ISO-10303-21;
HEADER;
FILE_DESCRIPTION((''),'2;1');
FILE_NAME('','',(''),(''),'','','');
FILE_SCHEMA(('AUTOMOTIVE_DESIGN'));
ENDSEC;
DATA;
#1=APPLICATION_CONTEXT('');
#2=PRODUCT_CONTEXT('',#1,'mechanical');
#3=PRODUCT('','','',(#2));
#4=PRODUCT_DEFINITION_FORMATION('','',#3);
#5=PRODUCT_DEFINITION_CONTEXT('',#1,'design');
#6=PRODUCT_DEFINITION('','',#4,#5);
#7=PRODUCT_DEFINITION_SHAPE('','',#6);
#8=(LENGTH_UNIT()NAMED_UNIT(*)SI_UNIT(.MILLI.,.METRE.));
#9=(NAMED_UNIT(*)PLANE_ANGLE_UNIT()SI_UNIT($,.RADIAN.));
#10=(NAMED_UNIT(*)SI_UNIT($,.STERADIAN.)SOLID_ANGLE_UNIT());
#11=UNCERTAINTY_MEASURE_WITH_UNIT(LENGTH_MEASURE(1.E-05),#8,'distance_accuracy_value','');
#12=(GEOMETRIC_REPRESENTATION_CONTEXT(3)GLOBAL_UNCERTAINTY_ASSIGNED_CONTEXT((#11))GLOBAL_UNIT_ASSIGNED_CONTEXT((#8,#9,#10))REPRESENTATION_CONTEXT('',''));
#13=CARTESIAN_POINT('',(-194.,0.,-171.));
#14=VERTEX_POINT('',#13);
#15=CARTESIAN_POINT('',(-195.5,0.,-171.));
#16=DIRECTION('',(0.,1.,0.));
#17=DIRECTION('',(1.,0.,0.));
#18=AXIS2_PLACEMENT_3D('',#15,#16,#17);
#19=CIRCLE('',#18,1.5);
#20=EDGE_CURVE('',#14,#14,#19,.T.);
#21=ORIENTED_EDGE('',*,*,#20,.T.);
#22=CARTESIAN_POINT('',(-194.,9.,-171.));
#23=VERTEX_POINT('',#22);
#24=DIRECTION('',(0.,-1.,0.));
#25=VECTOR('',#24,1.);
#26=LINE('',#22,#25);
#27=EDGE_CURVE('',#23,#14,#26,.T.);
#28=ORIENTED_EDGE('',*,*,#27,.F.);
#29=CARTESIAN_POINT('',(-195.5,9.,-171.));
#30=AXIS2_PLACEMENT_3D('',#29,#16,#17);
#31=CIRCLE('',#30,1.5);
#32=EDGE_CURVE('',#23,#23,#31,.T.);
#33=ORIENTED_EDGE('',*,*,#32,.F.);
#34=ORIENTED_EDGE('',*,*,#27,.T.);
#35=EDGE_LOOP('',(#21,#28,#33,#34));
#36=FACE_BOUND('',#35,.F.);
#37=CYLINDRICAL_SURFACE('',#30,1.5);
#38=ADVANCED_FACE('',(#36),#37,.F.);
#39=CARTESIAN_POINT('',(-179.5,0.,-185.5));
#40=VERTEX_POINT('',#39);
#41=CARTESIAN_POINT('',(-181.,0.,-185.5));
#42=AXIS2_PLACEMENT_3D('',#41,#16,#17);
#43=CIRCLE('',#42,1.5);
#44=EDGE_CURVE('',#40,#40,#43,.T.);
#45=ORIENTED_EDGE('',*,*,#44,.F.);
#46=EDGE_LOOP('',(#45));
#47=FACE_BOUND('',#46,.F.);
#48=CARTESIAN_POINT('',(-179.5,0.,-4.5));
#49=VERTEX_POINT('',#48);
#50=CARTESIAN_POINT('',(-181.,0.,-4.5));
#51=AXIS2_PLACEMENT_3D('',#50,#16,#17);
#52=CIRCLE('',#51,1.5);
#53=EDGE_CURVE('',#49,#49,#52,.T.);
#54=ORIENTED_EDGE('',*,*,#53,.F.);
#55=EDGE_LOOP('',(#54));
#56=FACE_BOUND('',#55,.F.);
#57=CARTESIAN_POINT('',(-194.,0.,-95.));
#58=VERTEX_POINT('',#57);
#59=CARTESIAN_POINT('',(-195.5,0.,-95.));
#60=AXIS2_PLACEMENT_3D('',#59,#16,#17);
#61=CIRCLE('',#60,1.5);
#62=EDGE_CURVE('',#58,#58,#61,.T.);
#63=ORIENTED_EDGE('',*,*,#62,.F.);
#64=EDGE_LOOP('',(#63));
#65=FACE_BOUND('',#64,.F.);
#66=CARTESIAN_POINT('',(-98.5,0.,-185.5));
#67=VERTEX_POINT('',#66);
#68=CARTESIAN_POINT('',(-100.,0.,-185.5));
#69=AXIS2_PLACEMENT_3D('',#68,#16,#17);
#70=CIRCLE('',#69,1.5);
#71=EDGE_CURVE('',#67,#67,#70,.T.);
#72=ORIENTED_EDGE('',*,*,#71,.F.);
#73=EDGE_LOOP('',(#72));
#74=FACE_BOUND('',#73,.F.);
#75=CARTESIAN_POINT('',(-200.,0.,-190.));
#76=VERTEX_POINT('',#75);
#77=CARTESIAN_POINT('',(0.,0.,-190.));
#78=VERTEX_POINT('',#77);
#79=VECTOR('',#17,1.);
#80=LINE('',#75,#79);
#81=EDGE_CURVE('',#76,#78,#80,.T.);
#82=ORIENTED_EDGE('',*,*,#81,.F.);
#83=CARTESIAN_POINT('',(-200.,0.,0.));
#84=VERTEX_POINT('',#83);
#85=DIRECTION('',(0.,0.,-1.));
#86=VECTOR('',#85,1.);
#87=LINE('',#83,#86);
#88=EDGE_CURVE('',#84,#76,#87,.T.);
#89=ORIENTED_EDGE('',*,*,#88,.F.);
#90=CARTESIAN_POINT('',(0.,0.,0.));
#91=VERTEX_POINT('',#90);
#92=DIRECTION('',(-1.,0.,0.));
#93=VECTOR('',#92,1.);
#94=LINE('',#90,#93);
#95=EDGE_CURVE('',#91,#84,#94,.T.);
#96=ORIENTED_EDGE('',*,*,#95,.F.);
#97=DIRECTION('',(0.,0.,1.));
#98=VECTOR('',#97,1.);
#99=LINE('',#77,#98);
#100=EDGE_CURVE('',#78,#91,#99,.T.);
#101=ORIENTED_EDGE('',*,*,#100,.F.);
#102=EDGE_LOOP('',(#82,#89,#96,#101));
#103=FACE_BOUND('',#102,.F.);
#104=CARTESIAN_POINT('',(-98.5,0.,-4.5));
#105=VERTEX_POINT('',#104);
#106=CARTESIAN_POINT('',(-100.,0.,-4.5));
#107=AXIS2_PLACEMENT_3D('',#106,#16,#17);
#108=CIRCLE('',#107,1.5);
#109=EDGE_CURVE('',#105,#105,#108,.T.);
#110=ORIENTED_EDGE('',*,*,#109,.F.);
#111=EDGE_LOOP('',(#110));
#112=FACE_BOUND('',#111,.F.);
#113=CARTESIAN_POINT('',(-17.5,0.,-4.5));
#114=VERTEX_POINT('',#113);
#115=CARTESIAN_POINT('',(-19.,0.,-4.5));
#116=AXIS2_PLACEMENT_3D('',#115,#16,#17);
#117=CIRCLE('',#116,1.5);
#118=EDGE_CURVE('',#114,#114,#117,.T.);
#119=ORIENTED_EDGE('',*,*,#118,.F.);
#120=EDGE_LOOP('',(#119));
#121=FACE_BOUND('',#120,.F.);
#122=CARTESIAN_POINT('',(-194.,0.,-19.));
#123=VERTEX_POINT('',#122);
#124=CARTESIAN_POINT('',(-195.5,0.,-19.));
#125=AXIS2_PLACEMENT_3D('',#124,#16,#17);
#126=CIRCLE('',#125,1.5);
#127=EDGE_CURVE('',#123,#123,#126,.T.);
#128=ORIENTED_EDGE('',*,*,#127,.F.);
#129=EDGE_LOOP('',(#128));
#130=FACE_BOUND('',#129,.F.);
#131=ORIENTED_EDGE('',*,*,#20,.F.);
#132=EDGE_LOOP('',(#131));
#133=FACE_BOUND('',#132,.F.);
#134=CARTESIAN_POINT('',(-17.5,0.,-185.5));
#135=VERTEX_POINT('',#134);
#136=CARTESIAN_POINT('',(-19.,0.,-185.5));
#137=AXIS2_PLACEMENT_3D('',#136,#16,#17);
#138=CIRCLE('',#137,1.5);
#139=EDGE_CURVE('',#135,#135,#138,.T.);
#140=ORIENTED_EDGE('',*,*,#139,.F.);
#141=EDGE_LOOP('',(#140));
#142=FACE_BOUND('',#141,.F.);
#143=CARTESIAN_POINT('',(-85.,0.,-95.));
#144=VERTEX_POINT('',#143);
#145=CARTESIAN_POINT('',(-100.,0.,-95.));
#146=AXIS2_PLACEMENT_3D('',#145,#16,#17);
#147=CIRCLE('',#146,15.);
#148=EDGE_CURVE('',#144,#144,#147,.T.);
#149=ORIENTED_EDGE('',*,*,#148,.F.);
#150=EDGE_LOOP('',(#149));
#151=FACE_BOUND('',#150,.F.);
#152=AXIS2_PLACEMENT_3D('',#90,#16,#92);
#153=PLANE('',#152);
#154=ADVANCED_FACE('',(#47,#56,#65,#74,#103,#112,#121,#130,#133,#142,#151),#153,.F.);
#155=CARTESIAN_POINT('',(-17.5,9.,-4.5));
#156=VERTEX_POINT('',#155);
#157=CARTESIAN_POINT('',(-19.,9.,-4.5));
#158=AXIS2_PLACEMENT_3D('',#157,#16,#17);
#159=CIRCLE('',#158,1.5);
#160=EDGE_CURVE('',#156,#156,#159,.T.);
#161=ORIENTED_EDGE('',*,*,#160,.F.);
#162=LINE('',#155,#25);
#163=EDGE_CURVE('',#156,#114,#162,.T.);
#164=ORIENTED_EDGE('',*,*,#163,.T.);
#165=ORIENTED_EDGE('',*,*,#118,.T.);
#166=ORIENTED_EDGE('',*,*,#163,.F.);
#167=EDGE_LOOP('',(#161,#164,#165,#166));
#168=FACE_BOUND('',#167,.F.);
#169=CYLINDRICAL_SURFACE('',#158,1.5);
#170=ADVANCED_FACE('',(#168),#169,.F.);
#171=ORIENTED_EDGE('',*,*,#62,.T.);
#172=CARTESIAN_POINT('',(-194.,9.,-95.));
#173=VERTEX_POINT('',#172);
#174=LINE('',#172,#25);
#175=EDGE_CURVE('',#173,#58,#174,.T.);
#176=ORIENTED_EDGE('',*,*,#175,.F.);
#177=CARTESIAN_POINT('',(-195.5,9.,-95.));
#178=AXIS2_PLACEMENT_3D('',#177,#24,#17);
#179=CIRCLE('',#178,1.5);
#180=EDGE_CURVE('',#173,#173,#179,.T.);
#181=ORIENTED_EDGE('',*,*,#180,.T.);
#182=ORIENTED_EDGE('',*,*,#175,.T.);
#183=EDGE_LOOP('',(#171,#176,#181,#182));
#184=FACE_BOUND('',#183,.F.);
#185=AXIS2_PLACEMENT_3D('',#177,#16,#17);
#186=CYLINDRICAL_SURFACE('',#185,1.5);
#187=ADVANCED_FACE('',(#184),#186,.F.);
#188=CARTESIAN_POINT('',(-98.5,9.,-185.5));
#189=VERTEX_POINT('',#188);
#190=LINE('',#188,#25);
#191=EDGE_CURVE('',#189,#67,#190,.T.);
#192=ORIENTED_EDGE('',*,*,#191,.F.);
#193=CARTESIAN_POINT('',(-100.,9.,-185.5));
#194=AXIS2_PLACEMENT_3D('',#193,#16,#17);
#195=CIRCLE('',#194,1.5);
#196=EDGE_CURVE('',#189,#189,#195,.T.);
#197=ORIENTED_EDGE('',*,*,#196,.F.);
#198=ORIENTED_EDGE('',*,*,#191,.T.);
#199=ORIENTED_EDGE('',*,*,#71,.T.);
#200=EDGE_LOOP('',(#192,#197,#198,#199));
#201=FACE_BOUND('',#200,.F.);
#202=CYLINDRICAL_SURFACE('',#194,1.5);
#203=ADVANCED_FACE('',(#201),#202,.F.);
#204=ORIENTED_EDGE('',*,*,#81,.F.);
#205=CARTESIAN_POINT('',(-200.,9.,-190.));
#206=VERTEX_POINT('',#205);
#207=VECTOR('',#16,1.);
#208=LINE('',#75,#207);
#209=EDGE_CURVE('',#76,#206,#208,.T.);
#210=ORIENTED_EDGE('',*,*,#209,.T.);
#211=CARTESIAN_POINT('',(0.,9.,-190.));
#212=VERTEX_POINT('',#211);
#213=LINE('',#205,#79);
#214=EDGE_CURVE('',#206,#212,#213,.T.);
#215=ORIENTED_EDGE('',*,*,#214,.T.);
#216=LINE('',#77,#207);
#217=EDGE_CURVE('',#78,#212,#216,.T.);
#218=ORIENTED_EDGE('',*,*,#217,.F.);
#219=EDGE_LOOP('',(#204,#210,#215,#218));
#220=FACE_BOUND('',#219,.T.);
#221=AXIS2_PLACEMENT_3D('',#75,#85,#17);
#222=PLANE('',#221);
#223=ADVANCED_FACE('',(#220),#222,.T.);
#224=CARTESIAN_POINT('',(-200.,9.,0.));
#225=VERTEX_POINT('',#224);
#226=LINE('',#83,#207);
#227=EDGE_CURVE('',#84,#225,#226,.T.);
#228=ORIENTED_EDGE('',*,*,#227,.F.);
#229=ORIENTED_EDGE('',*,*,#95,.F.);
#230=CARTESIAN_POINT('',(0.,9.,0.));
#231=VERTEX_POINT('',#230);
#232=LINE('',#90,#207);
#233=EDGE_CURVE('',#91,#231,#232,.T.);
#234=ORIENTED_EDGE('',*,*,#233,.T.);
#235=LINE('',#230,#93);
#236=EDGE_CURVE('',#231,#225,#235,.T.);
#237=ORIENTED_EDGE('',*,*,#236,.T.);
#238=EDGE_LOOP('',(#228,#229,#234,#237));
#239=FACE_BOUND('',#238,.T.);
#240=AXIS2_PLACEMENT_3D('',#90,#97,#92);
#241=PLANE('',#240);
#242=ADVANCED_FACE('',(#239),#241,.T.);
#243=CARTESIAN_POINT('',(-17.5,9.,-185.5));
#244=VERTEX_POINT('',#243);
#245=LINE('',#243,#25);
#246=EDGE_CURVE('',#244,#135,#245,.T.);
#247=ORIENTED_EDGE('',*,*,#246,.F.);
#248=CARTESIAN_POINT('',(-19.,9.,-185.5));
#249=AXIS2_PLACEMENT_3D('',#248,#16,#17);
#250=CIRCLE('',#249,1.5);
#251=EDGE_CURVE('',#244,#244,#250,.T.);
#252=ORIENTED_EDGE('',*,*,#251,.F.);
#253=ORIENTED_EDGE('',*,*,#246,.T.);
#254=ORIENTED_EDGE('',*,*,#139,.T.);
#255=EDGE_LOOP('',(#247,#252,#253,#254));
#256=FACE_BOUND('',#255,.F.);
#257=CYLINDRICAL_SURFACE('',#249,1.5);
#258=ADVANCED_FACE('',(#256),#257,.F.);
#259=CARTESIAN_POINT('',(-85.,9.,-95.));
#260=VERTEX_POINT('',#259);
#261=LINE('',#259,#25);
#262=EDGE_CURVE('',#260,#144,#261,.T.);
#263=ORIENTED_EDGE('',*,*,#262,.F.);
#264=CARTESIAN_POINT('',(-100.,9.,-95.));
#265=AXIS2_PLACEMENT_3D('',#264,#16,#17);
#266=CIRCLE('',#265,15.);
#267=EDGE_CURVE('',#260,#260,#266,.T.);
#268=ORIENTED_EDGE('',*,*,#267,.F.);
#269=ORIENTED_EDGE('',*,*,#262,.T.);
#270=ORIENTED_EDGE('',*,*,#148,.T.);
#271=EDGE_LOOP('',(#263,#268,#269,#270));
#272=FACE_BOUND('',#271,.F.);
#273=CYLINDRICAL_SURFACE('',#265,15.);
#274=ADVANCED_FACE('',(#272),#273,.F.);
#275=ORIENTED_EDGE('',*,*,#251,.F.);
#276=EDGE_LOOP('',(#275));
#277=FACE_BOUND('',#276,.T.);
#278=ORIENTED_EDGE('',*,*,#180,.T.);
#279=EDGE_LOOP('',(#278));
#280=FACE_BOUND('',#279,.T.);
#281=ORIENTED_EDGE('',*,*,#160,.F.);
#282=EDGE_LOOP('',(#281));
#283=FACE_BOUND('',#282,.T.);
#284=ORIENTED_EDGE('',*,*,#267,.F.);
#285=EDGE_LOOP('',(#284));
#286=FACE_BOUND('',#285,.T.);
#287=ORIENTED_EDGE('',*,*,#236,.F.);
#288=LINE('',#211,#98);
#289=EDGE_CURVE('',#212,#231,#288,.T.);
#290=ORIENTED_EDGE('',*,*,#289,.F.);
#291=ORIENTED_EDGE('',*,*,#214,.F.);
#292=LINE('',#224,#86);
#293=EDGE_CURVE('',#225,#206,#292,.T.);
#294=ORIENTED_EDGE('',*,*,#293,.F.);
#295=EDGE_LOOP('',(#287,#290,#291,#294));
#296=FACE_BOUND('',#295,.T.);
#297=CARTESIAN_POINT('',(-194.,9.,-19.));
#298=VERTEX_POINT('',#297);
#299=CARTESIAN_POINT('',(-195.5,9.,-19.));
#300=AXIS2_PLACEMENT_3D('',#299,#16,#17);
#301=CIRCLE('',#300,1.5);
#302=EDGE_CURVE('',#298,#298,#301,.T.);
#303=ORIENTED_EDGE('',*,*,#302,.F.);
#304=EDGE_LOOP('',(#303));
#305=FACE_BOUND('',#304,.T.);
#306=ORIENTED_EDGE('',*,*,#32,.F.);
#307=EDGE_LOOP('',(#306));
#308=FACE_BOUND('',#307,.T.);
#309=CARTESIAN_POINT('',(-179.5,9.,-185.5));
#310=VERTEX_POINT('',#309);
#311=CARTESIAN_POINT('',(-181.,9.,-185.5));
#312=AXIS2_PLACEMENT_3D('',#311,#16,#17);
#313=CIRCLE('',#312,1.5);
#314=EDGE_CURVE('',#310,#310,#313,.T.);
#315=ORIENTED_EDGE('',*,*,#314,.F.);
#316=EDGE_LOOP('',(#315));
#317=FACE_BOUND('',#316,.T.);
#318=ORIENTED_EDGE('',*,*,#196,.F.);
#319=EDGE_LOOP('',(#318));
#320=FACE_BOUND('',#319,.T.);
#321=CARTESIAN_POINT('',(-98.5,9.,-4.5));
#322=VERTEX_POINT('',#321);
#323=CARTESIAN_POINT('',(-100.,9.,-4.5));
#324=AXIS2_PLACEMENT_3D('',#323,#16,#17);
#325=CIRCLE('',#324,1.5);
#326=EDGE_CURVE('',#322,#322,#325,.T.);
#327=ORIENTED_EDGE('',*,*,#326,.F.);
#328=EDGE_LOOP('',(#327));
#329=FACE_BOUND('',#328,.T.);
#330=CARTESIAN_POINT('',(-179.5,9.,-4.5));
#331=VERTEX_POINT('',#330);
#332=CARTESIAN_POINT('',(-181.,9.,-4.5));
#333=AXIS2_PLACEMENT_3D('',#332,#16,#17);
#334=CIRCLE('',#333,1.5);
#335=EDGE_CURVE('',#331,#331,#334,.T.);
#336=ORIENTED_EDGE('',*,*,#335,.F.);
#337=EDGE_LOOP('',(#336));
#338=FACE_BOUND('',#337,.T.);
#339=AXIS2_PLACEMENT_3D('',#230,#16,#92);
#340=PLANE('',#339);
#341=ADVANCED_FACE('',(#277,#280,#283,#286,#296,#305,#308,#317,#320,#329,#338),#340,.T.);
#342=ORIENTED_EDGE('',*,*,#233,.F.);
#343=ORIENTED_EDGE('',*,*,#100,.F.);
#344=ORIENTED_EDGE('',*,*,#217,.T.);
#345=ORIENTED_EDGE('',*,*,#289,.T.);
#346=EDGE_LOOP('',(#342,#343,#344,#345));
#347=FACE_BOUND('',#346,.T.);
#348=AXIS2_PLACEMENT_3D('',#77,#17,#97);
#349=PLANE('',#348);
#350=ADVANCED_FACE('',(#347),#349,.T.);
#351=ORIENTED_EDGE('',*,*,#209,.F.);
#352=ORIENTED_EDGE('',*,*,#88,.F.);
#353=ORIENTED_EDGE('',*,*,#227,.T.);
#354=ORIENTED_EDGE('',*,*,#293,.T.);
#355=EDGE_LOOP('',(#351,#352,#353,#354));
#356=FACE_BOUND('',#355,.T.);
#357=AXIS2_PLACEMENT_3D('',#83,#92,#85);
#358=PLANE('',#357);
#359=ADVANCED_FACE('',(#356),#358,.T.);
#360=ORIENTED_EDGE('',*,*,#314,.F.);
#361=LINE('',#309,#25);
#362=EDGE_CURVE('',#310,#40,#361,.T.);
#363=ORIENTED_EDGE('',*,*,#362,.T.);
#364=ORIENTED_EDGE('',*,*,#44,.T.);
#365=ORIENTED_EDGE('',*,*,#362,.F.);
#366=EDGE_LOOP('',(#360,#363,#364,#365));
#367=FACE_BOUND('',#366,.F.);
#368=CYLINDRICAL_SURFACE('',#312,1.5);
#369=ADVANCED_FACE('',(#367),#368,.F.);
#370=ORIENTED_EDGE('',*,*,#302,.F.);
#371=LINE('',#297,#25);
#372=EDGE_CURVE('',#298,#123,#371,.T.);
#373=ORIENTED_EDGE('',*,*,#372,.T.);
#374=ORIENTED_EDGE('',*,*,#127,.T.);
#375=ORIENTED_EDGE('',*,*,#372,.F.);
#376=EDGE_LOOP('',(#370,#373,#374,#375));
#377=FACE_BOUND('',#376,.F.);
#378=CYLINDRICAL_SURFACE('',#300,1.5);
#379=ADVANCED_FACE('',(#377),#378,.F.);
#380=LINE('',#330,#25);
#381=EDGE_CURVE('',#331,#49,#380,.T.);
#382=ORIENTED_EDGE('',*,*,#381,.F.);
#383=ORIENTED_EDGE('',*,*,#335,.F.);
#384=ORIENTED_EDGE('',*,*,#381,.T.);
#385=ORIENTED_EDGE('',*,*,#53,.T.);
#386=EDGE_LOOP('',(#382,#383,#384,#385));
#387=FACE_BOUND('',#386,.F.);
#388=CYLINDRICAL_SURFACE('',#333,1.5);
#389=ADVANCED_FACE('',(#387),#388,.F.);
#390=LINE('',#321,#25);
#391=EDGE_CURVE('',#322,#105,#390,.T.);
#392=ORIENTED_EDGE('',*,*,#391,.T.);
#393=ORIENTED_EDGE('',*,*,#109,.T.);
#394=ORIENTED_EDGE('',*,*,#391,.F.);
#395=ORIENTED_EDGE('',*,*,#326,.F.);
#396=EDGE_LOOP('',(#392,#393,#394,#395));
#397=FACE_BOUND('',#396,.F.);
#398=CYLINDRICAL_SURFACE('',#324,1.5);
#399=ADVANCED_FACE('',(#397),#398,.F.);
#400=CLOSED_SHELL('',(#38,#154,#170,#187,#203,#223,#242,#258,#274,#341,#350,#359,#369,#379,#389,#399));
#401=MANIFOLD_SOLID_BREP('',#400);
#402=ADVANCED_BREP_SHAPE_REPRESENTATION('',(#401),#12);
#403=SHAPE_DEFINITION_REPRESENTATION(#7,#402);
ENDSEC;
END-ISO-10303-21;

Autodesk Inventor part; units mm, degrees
ref_plane "YZ Plane" through (0, 0, 0) normal (1, 0, 0) x (0, 1, 0)
ref_plane "XZ Plane" through (0, 0, 0) normal (0, 1, 0) x (-1, 0, 0)
ref_plane "XY Plane" through (0, 0, 0) normal (0, 0, 1) x (1, 0, 0)
sketch "Sketch1" plane through (0, 0, 0) normal (0, 1, 0) x (-1, 0, 0)
  line L0 (0, 0) -> (200, 0)
  line L1 (200, 0) -> (200, -190)
  line L2 (200, -190) -> (0, -190)
  line L3 (0, -190) -> (0, 0)
  dimension "d0" = 200
  dimension "d1" = 190
extrude "Extrusion1" add sketch "Sketch1" along normal blind 9
sketch "Sketch10" plane through (0, 9, 0) normal (0, 1, 0) x (1, 0, 0)
  line L0 (0, 190) -> (-200, 190) projected
  line L1 (-200, 190) -> (-200, 0) projected
  line L2 (-200, 0) -> (0, 0) projected
  line L3 (0, 0) -> (0, 190) projected
  circle A0 centre (-100, 95) radius 15
  dimension "d27" = 30
extrude "Extrusion10" cut sketch "Sketch10" against normal blind 9 contours A0
sketch "Sketch14" plane through (0, 9, 0) normal (0, 1, 0) x (1, 0, 0)
  circle A0 centre (-100, 95) radius 15 projected
  line L0 (0, 190) -> (-200, 190) projected
  line L1 (-200, 190) -> (-200, 0) projected
  line L2 (-200, 0) -> (0, 0) projected
  line L3 (0, 0) -> (0, 190) projected
  line L4 (-200, 190) -> (-200, 0) projected
  line L5 (-200, 190) -> (0, 190)
  line L6 (0, 190) -> (0, 181)
  line L7 (0, 181) -> (-200, 181)
  line L8 (-200, 181) -> (-200, 190)
  line L9 (-200, 0) -> (0, 0) projected
  line L10 (-200, 181) -> (-191, 181)
  line L11 (-191, 181) -> (-191, 0)
  line L12 (-191, 0) -> (-200, 0)
  line L13 (-200, 0) -> (-200, 181)
  line L14 (0, 0) -> (0, 190) projected
  line L15 (-191, 0) -> (0, 0)
  line L16 (0, 0) -> (0, 9)
  line L17 (0, 9) -> (-191, 9)
  line L18 (-191, 9) -> (-191, 0)
  circle A1 centre (-19, 4.5) radius 1.5
  circle A2 centre (-100, 4.5) radius 1.5
  circle A3 centre (-181, 4.5) radius 1.5
  line L19 (-245.0017, 95) -> (56.9583, 95)
  circle A4 centre (-19, 185.5) radius 1.5
  circle A5 centre (-100, 185.5) radius 1.5
  circle A6 centre (-181, 185.5) radius 1.5
  circle A7 centre (-195.5, 95) radius 1.5
  circle A8 centre (-195.5, 171) radius 1.5
  circle A9 centre (-195.5, 19) radius 1.5
  point P0 (0, 4.5)
  dimension "d47" = 9
  dimension "d48" = 9
  dimension "d49" = 9
  dimension "d50" = 3
  dimension "d51" = 3
  dimension "d52" = 3
  dimension "d55" = 3
  dimension "d56" = 3
  dimension "d57" = 3
  dimension "d60" = 19
extrude "Extrusion14" cut sketch "Sketch14" against normal blind 10 contours A1 | A2 | A3 | A4 | A5 | A6
extrude "Extrusion15" cut sketch "Sketch14" against normal blind 10 contours A7 L19 | L19 A7 | A8 | A9
properties part number "BaseEncima_3DPrint"
